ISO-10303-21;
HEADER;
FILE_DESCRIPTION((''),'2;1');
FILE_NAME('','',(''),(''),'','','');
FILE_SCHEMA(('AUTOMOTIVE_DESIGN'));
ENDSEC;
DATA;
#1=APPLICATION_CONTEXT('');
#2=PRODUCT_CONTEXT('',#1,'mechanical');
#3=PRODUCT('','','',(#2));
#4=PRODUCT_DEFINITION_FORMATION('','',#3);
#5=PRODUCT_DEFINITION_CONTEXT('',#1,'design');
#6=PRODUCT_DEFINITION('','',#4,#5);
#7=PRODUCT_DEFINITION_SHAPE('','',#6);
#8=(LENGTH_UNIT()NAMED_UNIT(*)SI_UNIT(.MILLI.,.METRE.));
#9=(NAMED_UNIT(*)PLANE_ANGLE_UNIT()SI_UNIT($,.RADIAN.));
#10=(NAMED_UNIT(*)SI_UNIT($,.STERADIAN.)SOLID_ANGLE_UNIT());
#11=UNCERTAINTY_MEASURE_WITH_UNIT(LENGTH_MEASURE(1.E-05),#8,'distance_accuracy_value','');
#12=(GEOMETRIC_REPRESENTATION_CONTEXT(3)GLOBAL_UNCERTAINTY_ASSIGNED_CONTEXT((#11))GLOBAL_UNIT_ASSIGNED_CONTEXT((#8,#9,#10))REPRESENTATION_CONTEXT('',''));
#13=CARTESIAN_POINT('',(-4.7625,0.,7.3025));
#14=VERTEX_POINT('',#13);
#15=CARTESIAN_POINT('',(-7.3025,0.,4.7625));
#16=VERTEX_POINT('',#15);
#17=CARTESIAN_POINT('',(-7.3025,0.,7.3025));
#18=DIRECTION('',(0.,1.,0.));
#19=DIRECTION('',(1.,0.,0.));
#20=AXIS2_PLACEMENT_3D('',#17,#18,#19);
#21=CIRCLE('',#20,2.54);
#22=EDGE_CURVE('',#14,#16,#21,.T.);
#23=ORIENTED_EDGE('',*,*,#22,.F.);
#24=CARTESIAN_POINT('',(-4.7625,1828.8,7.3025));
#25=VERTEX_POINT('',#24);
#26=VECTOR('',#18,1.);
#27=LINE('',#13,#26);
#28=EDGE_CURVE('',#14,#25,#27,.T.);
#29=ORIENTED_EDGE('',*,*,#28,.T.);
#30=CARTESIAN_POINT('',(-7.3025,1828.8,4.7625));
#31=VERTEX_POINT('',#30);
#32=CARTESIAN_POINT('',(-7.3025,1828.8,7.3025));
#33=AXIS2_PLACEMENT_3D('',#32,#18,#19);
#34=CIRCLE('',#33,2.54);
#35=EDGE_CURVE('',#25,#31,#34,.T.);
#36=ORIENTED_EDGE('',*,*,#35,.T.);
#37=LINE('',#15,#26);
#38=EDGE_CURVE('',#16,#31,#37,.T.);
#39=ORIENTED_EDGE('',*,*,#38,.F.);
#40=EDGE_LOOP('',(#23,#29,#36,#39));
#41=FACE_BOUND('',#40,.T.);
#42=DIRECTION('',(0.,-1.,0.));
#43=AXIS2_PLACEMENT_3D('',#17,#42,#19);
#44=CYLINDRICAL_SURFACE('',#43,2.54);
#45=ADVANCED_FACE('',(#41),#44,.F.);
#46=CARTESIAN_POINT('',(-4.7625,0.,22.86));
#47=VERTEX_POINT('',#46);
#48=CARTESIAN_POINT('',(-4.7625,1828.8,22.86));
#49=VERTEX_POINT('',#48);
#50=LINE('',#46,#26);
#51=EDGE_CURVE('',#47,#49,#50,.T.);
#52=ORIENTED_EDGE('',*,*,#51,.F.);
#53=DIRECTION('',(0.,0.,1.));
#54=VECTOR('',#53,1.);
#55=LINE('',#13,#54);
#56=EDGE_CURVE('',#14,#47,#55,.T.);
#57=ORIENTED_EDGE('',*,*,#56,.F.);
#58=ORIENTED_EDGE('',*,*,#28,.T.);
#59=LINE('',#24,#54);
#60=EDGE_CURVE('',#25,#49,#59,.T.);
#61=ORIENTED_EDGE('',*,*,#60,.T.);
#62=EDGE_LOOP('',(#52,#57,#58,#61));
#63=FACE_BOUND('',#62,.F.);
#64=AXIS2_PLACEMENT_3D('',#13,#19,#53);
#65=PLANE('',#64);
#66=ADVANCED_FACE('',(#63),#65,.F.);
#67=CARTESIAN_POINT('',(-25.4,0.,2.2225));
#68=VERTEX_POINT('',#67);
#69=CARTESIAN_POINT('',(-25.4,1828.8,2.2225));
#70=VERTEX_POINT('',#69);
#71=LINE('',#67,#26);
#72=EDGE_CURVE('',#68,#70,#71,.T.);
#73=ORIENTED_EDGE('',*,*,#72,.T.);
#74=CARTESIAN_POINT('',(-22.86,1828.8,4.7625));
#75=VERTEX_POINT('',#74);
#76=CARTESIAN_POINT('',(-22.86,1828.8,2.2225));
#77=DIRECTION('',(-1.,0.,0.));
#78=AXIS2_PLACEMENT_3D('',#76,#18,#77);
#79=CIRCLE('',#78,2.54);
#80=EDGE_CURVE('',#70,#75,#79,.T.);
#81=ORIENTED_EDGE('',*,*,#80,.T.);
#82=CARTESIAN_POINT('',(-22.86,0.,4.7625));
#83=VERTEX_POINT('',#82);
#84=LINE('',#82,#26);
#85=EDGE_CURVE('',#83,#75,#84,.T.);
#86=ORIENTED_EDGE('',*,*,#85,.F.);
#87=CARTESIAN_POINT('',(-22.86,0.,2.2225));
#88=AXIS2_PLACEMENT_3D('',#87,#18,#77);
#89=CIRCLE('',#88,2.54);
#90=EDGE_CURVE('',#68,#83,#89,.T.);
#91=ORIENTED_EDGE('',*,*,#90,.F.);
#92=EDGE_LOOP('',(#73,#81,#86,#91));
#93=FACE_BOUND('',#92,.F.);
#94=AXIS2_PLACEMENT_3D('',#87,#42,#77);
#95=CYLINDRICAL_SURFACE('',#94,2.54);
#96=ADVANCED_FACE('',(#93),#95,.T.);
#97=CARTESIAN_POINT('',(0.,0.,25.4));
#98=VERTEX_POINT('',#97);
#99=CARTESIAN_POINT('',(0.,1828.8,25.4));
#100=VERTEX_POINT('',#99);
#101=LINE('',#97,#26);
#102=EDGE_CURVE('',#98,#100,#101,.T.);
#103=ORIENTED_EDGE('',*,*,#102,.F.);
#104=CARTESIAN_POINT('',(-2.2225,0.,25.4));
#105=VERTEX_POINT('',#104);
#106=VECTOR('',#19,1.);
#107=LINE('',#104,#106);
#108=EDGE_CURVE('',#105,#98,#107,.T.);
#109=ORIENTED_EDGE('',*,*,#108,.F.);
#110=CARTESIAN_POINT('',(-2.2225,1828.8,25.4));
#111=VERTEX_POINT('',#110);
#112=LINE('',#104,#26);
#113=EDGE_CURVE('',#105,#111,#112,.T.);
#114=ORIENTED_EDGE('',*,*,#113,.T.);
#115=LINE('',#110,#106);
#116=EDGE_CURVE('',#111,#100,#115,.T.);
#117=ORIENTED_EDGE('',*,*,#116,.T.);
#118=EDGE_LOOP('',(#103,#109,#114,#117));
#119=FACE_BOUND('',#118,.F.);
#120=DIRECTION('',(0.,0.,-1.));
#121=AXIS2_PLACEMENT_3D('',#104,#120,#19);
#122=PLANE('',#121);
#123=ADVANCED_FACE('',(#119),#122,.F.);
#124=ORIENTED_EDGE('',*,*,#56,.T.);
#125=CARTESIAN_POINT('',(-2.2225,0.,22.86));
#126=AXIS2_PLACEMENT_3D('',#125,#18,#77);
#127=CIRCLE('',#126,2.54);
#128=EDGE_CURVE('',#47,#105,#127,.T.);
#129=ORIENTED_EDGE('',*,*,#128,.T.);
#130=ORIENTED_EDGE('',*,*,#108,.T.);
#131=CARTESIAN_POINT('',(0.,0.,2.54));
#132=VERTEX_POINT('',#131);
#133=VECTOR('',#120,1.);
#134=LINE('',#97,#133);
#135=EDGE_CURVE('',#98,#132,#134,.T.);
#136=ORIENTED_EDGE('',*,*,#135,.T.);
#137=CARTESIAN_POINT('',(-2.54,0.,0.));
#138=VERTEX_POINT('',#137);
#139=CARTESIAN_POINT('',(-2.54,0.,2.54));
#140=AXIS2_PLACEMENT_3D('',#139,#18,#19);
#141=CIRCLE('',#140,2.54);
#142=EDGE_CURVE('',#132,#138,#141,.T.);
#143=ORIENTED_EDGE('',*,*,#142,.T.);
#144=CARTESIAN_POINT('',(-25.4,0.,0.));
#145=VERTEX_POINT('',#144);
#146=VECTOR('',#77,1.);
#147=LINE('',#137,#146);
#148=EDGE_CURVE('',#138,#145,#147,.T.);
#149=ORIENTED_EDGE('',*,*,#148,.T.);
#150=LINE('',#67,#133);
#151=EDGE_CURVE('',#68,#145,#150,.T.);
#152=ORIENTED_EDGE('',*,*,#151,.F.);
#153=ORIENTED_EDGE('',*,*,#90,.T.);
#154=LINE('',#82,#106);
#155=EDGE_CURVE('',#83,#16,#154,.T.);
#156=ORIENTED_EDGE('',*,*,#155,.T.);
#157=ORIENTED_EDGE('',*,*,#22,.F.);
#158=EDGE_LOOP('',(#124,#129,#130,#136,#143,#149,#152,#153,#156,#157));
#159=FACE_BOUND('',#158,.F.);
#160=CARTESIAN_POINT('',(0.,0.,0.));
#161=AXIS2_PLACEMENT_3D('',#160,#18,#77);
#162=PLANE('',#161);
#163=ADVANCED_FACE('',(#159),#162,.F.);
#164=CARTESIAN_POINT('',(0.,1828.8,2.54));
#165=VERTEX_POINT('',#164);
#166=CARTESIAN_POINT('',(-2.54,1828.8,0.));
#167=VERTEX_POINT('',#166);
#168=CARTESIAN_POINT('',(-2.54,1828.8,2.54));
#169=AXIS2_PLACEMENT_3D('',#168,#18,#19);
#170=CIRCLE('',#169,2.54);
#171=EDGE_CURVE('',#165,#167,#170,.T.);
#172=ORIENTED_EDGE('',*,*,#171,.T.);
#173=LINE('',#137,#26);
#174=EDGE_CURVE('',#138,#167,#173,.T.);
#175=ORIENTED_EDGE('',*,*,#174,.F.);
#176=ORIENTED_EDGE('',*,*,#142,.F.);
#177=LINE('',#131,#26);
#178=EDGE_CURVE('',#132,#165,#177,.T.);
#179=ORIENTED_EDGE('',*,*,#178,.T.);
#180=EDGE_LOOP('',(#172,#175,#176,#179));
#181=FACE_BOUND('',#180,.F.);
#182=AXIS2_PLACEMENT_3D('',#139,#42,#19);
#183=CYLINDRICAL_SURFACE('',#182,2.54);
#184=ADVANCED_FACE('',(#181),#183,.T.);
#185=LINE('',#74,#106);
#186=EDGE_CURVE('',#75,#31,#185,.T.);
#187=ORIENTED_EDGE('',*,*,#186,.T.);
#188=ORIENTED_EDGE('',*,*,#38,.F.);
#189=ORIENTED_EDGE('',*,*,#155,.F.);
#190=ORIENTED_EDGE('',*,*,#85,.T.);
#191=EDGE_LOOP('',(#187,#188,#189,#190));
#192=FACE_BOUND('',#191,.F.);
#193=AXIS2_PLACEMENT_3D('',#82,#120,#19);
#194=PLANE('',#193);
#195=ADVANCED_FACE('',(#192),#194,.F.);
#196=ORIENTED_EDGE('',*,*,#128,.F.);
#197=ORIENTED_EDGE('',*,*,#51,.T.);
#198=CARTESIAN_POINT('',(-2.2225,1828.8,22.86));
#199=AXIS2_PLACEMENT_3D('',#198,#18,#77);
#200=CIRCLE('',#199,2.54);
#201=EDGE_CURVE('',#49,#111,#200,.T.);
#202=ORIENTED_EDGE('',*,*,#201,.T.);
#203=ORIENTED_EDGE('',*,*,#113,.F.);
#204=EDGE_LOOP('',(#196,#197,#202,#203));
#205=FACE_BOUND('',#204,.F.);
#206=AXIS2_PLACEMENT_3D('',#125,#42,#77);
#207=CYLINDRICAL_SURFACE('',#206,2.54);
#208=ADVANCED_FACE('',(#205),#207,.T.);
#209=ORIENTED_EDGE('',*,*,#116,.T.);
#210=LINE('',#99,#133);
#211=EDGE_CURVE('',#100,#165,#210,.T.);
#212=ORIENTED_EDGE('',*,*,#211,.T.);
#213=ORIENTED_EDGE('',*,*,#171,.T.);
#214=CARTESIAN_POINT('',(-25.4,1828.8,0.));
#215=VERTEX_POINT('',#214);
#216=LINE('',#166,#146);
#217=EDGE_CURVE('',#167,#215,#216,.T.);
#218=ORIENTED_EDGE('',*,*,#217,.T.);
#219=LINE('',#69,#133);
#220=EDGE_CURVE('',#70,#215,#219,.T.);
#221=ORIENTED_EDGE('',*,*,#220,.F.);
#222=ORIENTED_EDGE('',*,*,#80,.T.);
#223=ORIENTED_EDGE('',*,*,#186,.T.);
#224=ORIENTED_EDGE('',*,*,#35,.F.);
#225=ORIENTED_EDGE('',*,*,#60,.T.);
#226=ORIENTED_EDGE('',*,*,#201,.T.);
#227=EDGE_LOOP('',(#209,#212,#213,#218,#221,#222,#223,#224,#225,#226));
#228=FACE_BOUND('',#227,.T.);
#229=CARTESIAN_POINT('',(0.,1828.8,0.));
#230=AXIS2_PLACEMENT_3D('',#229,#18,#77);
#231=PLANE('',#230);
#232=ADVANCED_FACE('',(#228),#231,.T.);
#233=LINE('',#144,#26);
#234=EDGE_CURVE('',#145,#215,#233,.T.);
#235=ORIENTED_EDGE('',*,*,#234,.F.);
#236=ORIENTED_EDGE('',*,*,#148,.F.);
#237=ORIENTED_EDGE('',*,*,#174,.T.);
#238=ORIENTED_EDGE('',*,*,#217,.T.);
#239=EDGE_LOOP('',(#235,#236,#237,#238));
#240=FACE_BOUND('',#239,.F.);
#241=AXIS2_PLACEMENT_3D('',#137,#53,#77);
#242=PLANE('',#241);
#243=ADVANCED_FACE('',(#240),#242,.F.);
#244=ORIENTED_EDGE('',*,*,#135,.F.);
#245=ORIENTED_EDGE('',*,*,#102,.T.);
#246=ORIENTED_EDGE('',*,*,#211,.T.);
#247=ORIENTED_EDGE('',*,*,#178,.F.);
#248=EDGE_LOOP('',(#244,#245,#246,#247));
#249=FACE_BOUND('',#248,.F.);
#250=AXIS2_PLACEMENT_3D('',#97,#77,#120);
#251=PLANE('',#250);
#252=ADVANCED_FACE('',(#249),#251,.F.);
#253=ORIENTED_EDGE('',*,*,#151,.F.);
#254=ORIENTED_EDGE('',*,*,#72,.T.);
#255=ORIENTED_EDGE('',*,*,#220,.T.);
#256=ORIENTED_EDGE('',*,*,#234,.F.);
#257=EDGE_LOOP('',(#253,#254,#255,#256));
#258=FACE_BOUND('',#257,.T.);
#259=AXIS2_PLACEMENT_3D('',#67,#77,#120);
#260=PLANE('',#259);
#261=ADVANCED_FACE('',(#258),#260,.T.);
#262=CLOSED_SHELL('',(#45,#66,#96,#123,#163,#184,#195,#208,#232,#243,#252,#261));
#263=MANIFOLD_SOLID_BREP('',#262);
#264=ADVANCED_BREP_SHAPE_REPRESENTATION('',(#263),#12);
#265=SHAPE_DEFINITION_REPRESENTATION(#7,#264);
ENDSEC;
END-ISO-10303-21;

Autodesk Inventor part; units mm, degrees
ref_plane "YZ Plane" through (0, 0, 0) normal (1, 0, 0) x (0, 1, 0)
ref_plane "XZ Plane" through (0, 0, 0) normal (0, 1, 0) x (-1, 0, 0)
ref_plane "XY Plane" through (0, 0, 0) normal (0, 0, 1) x (1, 0, 0)
sketch "Sketch1" plane through (0, 0, 0) normal (0, 1, 0) x (-1, 0, 0)
  line L0 (2.54, 0) -> (25.4, 0)
  line L1 (0, 25.4) -> (0, 2.54)
  line L2 (22.86, 4.7625) -> (7.3025, 4.7625)
  line L3 (4.7625, 7.3025) -> (4.7625, 22.86)
  line L4 (2.2225, 25.4) -> (0, 25.4)
  line L5 (25.4, 2.2225) -> (25.4, 0)
  arc A0 (4.7625, 7.3025) -> (7.3025, 4.7625) centre (7.3025, 7.3025) ccw
  arc A1 (4.7625, 22.86) -> (2.2225, 25.4) centre (2.2225, 22.86) ccw
  arc A2 (0, 2.54) -> (2.54, 0) centre (2.54, 2.54) ccw
  arc A3 (25.4, 2.2225) -> (22.86, 4.7625) centre (22.86, 2.2225) ccw
  point P0 (0, 0)
  dimension "d2" = 4.7625
  dimension "d3" = 25.4
  dimension "d4" = 25.4
  dimension "d5" = 2.54
extrude "Angle Iron Template" add sketch "Sketch1" along normal blind 1828.8
properties part number "Angle Iron-01"
